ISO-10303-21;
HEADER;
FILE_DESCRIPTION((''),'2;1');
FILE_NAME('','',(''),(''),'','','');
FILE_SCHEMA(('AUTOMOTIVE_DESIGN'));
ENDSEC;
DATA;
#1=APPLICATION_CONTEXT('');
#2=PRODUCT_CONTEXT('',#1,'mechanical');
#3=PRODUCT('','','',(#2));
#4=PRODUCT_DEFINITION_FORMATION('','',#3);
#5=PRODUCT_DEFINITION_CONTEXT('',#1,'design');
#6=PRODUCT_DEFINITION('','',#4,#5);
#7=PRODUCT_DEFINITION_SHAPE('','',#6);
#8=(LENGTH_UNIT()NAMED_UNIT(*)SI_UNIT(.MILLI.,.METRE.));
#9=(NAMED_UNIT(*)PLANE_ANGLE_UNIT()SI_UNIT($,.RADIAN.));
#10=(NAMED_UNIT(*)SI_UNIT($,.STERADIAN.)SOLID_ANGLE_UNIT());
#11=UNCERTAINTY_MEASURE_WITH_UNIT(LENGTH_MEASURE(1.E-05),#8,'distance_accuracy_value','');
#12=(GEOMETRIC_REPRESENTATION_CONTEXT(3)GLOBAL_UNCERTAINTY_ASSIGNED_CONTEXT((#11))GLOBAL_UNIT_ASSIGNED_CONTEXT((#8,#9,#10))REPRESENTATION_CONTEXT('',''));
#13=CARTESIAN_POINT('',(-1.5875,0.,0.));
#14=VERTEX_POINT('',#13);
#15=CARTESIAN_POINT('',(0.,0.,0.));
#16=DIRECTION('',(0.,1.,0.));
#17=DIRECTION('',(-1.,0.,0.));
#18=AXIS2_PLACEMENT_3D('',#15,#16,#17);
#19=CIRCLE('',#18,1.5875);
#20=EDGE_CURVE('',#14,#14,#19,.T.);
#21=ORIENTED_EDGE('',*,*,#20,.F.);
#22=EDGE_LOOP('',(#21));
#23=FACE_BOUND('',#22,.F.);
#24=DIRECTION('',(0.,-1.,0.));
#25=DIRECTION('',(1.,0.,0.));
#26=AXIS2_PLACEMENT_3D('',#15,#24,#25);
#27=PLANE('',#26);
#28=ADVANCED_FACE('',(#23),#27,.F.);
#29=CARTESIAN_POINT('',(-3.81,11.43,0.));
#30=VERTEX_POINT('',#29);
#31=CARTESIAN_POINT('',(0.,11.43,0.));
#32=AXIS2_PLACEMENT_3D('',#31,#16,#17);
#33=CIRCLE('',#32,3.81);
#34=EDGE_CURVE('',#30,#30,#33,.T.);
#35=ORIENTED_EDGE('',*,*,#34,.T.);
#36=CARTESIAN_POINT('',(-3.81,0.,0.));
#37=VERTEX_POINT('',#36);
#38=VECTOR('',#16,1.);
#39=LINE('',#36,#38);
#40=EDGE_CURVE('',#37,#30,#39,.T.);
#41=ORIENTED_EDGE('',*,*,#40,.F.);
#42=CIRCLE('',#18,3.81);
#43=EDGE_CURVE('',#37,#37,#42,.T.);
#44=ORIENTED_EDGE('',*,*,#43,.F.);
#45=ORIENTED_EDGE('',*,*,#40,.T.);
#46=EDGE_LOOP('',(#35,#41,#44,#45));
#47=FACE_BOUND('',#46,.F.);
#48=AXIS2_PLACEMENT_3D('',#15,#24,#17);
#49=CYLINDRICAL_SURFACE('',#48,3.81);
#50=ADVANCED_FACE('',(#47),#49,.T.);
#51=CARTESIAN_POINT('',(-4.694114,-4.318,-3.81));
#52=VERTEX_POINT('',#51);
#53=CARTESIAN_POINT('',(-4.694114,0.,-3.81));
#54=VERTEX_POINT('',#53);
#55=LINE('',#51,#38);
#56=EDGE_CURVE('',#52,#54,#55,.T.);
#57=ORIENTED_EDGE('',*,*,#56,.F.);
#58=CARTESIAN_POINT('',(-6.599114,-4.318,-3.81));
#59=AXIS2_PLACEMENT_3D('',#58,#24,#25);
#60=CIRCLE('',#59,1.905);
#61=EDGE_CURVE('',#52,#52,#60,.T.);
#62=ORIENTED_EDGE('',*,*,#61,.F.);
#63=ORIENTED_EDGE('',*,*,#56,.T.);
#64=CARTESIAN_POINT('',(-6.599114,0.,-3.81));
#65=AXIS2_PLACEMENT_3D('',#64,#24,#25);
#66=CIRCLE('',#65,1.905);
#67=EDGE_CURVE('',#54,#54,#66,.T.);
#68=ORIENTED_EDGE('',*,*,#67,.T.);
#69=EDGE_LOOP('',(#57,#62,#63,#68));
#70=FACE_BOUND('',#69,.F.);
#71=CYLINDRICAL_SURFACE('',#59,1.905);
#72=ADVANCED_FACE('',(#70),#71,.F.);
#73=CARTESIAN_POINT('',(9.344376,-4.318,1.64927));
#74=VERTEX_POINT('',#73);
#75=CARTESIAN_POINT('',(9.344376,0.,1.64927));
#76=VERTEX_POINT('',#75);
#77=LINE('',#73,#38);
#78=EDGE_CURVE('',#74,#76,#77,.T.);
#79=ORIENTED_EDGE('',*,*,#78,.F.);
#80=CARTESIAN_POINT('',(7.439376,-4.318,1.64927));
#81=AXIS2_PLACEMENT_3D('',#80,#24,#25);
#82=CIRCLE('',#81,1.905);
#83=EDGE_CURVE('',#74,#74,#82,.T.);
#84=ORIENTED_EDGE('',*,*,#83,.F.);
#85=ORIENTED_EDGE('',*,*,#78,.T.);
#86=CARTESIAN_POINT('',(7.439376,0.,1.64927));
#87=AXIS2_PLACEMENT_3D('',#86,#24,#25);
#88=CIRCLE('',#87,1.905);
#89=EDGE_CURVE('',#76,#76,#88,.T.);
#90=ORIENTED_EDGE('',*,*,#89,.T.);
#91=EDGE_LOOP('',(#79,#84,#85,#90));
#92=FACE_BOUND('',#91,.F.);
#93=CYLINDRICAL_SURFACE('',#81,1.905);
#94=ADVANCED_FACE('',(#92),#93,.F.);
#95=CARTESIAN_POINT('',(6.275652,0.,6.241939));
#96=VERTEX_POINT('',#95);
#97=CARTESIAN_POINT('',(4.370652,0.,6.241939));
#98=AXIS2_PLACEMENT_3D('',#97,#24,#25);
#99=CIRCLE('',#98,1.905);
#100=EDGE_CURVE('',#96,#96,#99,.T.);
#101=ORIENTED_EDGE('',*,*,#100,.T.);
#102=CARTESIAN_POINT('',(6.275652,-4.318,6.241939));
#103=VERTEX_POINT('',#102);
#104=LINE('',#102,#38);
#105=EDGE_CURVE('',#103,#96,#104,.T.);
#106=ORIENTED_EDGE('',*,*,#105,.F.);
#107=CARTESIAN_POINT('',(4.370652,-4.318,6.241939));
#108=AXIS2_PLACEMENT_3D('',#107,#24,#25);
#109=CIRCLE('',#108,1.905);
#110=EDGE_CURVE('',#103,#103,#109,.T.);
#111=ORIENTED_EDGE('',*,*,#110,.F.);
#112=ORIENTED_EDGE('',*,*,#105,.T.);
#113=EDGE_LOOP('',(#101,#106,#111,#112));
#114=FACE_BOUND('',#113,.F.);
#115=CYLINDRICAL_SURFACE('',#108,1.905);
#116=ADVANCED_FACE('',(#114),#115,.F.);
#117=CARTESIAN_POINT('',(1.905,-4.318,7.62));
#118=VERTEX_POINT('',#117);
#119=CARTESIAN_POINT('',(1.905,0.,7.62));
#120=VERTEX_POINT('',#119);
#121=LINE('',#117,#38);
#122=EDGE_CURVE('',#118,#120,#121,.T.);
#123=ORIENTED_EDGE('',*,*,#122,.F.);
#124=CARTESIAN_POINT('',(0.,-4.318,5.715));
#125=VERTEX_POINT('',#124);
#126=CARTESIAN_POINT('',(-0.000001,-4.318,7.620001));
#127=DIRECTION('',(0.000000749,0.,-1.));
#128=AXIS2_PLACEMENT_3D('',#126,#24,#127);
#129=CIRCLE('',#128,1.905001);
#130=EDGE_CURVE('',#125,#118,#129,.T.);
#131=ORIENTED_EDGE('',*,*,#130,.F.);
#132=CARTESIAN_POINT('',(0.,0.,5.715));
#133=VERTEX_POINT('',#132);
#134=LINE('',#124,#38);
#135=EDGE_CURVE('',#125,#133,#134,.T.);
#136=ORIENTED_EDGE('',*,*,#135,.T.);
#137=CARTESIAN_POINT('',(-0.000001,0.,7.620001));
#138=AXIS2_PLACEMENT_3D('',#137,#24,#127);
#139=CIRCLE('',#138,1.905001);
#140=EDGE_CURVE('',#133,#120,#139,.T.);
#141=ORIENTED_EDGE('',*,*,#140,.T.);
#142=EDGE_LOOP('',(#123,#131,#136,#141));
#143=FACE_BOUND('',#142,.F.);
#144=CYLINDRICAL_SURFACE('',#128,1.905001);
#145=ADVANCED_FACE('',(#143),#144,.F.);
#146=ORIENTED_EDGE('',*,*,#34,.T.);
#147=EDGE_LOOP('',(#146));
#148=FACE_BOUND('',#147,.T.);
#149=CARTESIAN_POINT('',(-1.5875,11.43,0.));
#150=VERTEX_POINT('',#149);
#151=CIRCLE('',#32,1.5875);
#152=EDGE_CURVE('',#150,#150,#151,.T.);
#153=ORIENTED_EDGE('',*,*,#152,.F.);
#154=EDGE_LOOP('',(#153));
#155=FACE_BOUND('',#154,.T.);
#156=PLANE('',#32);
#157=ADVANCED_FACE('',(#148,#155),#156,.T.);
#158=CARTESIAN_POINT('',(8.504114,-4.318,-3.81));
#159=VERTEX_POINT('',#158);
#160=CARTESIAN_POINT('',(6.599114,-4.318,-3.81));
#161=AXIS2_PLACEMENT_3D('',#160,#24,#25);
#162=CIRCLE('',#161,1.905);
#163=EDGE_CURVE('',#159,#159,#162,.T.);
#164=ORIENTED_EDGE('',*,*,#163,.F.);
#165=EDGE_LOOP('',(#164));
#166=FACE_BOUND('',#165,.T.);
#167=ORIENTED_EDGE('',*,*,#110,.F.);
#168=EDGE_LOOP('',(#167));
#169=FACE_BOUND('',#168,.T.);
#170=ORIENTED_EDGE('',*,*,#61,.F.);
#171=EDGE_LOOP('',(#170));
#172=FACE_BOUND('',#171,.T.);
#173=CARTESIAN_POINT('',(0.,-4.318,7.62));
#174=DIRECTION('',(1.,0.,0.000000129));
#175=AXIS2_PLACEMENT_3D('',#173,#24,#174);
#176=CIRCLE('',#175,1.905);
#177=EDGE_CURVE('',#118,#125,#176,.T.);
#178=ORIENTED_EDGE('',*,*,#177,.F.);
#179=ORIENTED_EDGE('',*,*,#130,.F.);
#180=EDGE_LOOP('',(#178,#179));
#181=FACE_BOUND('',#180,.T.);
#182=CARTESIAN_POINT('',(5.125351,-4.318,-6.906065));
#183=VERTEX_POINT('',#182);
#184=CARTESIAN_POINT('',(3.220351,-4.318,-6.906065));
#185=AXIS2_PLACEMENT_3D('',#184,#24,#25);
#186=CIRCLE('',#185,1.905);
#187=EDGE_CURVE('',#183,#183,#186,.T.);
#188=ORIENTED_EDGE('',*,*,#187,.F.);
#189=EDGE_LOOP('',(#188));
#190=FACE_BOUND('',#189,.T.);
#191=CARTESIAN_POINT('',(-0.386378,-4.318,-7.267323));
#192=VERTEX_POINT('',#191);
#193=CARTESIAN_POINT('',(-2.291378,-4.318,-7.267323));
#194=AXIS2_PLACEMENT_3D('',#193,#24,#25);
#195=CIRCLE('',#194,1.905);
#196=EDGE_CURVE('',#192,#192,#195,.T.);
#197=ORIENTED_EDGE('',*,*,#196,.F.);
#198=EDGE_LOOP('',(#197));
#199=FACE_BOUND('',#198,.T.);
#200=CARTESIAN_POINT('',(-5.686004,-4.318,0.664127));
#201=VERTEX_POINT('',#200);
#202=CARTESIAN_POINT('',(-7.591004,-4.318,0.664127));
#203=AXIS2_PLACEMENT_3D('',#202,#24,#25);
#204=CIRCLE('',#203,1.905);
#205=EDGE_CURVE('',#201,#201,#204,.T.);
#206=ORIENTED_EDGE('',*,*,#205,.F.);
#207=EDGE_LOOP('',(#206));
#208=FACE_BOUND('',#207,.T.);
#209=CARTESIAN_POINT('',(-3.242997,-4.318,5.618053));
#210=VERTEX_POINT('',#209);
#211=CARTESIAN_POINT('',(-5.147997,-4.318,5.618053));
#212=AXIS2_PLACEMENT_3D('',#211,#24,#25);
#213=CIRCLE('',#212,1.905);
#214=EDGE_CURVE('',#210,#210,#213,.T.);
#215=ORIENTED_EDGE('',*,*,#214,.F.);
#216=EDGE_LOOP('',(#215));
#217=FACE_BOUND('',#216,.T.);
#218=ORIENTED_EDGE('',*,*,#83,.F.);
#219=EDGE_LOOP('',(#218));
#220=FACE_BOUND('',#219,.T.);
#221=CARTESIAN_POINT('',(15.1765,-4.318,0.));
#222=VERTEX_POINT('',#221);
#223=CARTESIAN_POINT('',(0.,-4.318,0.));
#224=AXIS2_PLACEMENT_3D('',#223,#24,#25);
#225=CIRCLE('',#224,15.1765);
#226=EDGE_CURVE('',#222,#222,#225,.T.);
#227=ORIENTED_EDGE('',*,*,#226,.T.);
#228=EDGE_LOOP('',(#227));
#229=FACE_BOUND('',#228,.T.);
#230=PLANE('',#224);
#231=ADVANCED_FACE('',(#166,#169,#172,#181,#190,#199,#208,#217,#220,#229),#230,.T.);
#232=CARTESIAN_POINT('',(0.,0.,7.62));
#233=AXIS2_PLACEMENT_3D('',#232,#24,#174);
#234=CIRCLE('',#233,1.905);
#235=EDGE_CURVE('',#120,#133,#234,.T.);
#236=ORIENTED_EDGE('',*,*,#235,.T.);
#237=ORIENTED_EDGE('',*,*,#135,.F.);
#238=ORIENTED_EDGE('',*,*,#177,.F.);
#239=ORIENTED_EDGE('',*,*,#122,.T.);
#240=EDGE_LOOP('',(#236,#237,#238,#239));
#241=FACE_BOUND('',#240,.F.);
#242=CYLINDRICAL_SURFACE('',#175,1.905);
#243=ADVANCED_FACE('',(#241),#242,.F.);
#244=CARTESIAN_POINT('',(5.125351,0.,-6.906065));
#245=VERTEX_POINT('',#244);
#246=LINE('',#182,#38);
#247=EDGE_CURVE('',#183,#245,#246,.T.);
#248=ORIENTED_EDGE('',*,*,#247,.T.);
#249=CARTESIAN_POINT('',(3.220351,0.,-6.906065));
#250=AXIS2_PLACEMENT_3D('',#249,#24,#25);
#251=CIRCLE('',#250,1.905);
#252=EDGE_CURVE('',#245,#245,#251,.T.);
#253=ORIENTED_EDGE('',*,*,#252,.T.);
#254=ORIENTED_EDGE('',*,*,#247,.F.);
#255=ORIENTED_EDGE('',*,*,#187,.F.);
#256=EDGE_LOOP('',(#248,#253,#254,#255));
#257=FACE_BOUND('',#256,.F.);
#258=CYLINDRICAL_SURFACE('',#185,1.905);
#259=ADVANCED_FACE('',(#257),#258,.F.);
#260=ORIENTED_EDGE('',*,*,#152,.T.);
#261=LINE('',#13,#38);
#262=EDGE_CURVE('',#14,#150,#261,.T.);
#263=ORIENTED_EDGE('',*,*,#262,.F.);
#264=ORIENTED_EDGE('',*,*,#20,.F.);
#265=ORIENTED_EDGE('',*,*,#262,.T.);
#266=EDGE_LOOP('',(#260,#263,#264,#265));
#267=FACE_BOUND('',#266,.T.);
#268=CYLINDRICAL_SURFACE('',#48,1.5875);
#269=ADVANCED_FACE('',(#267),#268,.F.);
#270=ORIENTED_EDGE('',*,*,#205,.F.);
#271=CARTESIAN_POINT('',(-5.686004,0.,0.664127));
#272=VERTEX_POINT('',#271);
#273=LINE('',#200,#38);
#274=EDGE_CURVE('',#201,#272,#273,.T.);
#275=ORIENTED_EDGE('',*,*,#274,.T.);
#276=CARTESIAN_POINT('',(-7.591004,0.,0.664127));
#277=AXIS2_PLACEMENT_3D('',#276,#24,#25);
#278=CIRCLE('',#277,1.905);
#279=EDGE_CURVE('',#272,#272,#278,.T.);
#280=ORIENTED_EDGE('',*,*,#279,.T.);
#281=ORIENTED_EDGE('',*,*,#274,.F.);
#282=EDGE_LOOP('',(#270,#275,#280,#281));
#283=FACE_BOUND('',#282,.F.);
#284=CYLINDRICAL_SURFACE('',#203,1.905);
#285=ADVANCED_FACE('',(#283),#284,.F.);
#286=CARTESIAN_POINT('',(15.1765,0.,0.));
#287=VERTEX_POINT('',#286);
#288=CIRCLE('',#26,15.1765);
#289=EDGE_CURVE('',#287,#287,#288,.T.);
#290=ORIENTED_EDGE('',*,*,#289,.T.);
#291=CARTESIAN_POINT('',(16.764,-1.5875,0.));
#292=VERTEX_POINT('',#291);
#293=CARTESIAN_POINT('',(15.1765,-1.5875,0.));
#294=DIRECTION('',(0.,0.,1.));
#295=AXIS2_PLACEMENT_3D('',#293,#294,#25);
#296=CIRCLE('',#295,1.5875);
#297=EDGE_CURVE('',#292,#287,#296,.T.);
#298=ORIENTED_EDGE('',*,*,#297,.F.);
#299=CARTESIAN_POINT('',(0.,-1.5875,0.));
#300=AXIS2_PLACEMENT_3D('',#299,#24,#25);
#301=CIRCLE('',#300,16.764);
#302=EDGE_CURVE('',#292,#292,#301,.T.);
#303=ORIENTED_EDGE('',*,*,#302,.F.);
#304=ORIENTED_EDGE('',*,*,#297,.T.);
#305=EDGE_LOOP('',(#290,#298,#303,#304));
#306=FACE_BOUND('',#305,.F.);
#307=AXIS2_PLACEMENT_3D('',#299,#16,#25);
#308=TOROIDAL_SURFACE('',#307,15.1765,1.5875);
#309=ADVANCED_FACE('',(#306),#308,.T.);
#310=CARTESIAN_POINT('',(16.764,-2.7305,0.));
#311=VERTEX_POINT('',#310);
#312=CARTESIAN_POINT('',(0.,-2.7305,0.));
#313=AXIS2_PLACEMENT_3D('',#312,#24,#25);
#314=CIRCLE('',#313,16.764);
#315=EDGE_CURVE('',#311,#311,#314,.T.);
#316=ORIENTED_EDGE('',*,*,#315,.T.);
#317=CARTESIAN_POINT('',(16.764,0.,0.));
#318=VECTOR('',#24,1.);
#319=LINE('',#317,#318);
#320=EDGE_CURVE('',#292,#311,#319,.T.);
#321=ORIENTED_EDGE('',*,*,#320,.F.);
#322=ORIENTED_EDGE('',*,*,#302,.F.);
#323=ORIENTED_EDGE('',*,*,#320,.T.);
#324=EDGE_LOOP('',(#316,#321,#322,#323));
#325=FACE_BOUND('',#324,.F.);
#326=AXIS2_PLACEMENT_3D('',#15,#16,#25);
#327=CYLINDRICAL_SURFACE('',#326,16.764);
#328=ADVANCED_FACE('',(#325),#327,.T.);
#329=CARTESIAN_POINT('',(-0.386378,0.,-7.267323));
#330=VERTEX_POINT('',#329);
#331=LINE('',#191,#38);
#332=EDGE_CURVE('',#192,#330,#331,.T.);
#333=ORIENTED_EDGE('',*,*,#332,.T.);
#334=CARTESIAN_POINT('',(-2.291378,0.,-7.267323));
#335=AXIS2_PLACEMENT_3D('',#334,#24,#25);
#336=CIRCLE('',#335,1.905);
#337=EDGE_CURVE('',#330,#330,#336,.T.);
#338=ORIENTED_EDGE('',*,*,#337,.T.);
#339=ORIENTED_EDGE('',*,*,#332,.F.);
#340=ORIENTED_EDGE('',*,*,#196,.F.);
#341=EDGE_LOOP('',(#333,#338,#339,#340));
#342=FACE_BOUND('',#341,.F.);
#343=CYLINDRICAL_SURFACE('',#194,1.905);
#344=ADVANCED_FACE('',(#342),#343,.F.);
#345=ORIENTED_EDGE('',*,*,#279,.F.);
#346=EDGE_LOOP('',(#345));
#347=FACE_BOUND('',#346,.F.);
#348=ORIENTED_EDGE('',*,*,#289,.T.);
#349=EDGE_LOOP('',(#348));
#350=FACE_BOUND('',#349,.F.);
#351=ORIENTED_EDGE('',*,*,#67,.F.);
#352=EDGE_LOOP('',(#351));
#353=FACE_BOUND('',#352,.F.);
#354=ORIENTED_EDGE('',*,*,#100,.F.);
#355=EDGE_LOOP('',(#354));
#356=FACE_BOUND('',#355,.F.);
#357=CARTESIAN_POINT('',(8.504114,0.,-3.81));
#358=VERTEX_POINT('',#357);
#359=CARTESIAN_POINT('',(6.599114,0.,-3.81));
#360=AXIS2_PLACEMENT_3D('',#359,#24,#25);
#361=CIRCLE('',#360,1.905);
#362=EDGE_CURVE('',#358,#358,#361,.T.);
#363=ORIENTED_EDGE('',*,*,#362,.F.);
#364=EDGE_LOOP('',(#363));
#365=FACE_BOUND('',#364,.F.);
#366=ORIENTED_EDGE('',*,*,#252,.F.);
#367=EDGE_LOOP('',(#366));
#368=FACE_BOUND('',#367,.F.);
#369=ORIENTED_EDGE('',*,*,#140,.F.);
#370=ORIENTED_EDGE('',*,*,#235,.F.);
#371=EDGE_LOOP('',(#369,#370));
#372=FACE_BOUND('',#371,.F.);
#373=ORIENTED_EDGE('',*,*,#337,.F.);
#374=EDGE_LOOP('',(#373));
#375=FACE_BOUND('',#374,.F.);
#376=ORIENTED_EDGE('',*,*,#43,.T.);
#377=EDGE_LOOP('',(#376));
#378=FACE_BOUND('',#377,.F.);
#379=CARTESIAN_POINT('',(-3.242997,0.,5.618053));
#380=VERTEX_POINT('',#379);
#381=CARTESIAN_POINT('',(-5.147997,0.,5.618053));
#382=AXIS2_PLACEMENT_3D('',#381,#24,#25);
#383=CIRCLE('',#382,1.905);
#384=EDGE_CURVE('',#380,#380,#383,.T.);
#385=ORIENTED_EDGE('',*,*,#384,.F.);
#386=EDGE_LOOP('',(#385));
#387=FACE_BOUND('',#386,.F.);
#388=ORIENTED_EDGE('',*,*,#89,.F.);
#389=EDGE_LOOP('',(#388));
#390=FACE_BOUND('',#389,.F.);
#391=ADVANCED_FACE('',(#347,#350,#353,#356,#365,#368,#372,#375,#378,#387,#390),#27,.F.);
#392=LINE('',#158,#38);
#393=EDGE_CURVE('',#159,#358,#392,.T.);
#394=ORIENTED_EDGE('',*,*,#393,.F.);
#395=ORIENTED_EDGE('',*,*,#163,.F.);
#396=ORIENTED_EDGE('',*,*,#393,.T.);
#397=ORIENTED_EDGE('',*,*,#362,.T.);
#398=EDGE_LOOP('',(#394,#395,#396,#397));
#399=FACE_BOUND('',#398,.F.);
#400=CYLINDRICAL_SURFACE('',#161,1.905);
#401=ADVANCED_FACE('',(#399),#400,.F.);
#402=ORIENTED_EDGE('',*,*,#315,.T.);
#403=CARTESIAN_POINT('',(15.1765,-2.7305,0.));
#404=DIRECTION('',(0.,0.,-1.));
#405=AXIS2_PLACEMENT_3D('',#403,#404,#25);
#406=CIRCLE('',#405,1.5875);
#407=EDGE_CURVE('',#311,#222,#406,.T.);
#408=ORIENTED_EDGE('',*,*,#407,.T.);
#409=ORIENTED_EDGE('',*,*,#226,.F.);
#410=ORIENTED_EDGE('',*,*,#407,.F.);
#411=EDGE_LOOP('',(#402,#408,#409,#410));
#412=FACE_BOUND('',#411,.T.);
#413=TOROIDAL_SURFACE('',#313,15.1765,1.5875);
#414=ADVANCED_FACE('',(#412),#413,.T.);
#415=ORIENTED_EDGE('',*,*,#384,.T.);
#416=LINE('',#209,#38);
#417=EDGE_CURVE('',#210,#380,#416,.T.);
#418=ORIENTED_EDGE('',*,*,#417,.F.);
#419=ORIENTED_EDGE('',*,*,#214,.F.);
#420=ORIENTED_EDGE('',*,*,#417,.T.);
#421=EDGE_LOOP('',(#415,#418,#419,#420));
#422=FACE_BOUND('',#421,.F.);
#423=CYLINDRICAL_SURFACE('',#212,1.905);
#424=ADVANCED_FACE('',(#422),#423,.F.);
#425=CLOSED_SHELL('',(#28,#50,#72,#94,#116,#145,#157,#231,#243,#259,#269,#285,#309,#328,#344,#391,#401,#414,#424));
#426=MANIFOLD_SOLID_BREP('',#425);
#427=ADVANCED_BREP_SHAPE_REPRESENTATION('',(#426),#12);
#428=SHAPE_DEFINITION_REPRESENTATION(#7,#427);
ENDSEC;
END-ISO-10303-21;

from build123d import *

# Parameters (mm, degrees)
F0_R     = 16.764
F1_DEPTH = 4.318
F2_R     = 1.5875
F3_R     = 1.905
F4_DEPTH = 25.4
F5_R     = 1.5875
F6_DEPTH = 19.05
F5_R_2   = 3.81
F7_DEPTH = 11.43


with BuildPart() as f1:
    # F0 (on Front) → F1 (new body)
    with BuildSketch(Plane.XZ):
        Circle(F0_R)
    extrude(amount=F1_DEPTH)

    # F2
    f2_edges = [f1.edges().sort_by_distance(p)[0] for p in [
        (-16.764, 0, 0),
        (-16.764, -4.318, 0),
    ]]
    fillet(f2_edges, radius=F2_R)

    # F3 (on face) → F4 (cut)
    with BuildSketch(Plane.XZ.offset(4.318)):
        with BuildLine():
            ThreePointArc((0, 5.715), (1.347038, 6.272962), (1.905, 7.62))
            ThreePointArc((1.905, 7.62), (-1.347038, 8.967038), (0, 5.715))
        make_face()
        with Locations((4.370652, 6.241939)):
            Circle(F3_R)
        with Locations((7.439376, 1.64927)):
            Circle(F3_R)
        with Locations((6.599114, -3.81)):
            Circle(F3_R)
        with Locations((3.220351, -6.906065)):
            Circle(F3_R)
        with Locations((-2.291378, -7.267323)):
            Circle(F3_R)
        with Locations((-6.599114, -3.81)):
            Circle(F3_R)
        with Locations((-7.591004, 0.664127)):
            Circle(F3_R)
        with Locations((-5.147997, 5.618053)):
            Circle(F3_R)
    extrude(amount=-F4_DEPTH, mode=Mode.SUBTRACT)

    # F5 (on face) → F6 (cut)
    with BuildSketch(Plane(origin=(0, 0, 0), x_dir=(-1, 0, 0), z_dir=(0, 1, 0))):
        Circle(F5_R)
    extrude(amount=F6_DEPTH, mode=Mode.SUBTRACT)

    # F5 (on face) → F7 (join)
    with BuildSketch(Plane(origin=(0, 0, 0), x_dir=(-1, 0, 0), z_dir=(0, 1, 0))):
        Circle(F5_R_2)
        Circle(F5_R, mode=Mode.SUBTRACT)
    extrude(amount=F7_DEPTH)


solid = f1.part
